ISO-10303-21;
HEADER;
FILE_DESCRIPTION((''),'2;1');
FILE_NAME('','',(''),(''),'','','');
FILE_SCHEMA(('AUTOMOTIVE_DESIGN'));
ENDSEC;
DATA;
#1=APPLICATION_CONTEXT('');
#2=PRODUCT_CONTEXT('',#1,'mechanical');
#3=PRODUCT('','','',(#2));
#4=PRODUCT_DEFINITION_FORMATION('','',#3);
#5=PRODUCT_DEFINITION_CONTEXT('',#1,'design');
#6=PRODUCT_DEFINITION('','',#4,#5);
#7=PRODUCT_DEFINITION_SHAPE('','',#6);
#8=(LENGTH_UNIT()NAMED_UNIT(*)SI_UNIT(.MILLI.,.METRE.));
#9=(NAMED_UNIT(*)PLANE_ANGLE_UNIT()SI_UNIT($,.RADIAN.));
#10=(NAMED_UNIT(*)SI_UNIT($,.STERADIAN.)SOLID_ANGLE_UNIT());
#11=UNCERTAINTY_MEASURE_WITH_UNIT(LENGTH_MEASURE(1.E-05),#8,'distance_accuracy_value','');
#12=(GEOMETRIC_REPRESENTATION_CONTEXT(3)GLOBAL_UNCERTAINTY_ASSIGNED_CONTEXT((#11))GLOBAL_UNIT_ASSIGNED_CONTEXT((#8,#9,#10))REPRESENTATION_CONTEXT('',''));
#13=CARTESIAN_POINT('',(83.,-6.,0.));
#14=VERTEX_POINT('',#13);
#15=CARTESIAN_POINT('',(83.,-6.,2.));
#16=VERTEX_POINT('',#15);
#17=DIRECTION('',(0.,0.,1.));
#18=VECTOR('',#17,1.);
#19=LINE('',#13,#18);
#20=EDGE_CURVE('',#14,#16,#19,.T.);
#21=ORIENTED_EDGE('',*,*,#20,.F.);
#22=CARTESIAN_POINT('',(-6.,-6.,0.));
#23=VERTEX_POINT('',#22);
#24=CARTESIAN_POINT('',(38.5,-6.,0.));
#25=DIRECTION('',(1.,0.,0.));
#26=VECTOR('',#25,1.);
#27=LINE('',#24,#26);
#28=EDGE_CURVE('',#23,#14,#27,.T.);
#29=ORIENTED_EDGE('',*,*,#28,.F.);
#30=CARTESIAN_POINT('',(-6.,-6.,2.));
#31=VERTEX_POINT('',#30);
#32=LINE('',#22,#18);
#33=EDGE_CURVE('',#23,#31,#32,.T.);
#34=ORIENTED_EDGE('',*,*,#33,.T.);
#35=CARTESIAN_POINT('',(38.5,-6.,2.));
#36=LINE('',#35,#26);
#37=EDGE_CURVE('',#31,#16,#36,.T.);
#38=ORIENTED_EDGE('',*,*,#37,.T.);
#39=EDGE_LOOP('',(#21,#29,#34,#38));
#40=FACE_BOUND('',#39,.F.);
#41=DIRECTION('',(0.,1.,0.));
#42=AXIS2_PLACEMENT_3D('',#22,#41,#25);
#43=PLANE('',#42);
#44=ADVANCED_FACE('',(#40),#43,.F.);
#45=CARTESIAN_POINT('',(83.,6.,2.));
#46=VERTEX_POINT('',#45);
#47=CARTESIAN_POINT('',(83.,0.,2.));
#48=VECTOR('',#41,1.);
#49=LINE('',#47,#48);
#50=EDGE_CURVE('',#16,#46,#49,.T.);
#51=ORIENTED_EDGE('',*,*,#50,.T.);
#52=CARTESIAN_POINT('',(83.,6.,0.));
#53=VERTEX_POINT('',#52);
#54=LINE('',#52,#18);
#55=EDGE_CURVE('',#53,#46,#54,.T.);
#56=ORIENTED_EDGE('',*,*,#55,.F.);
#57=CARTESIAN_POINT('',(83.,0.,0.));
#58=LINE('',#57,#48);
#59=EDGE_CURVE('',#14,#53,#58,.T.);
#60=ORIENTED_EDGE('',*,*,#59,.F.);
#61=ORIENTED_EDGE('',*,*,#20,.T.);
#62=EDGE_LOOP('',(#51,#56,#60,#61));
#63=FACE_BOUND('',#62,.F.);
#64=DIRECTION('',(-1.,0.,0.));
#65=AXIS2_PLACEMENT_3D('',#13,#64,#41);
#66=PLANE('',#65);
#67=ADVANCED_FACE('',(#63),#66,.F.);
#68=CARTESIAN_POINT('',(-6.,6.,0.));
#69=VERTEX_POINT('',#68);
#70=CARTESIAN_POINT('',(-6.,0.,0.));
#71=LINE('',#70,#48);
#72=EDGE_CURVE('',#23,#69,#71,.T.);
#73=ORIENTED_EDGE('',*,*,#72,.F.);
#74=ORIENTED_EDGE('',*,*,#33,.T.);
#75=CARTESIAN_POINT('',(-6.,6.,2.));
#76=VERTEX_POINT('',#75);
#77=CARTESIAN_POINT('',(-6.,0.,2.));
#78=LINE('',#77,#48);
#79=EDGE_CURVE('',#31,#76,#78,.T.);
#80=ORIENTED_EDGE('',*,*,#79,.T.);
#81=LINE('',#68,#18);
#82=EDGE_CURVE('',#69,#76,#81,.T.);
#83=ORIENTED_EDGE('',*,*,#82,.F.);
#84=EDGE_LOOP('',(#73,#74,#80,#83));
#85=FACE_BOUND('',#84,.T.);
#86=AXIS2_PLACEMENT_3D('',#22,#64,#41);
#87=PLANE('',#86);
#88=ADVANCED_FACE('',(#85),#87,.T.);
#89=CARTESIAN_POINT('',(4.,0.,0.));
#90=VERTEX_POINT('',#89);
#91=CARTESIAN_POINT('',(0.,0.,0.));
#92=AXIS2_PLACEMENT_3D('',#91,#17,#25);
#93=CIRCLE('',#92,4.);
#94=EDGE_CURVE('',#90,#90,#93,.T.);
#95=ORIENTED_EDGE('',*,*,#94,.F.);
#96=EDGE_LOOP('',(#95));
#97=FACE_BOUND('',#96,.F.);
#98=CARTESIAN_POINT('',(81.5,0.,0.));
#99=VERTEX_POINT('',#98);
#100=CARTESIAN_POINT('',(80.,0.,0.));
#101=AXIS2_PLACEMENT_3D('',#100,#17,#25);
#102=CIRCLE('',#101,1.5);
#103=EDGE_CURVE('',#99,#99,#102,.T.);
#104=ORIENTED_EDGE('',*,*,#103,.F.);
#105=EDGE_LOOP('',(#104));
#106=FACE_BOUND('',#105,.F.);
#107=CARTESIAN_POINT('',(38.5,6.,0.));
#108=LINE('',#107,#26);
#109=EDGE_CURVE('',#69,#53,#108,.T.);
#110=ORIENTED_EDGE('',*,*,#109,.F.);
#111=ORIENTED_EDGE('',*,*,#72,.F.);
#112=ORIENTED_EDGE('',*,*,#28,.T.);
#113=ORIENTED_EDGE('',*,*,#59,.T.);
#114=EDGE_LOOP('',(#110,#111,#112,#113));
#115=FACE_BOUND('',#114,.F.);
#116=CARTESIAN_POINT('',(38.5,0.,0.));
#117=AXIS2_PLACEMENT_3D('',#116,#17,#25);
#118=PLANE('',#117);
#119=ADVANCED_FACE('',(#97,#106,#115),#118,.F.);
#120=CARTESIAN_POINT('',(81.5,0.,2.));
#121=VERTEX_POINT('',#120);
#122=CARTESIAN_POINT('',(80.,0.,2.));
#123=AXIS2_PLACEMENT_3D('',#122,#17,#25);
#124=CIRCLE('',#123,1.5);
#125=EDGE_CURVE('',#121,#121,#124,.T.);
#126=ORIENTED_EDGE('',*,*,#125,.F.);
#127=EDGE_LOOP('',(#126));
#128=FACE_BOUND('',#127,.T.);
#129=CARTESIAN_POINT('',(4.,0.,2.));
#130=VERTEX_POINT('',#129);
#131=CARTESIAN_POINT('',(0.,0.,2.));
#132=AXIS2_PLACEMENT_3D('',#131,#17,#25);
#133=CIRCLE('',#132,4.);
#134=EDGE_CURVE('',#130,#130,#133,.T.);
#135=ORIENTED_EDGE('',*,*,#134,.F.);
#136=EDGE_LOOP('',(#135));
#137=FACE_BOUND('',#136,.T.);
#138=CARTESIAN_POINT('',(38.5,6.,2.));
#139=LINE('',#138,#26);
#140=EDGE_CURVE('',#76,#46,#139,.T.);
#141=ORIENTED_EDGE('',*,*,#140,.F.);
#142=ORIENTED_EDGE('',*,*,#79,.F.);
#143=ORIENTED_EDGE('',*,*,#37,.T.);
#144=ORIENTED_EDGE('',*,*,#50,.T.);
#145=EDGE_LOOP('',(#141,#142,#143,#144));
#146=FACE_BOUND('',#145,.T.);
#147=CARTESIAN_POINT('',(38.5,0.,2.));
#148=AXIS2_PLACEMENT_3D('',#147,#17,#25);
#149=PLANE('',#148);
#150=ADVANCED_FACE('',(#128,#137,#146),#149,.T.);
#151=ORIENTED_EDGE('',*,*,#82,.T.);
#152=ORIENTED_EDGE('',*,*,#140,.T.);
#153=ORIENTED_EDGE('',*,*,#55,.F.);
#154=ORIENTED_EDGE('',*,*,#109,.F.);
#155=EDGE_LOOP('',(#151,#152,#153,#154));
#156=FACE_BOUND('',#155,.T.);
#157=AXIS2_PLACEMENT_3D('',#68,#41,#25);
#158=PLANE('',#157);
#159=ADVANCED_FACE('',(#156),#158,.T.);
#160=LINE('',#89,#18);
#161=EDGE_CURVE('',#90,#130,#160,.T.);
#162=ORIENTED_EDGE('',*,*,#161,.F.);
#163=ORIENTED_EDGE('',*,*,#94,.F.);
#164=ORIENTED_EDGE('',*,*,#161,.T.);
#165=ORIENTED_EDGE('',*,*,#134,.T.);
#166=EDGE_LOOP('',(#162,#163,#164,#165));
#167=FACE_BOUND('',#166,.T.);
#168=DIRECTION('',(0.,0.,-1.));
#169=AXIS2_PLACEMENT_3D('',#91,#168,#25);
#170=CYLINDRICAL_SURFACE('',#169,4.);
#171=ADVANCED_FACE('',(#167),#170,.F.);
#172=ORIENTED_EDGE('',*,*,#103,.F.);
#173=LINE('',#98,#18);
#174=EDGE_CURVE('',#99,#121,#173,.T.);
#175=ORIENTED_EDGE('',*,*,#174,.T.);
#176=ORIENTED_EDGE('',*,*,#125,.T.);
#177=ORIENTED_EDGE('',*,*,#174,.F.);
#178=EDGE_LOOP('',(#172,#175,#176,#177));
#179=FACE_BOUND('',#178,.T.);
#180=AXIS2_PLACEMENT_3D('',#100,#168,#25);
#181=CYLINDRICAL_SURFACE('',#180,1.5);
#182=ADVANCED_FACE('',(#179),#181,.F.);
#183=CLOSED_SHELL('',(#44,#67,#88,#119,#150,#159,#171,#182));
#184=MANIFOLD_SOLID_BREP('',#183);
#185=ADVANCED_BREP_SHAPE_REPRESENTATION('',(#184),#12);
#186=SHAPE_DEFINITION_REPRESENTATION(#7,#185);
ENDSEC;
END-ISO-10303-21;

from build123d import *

# Parameters (mm, degrees)
SKETCH_W   = 89
SKETCH_H   = 12
SKETCH_R   = 4
SKETCH_R_2 = 1.5
PAD_DEPTH  = 2


with BuildPart() as part:
    # Sketch → Pad (new body)
    with BuildSketch(Plane.XY):
        with Locations((38.5, 0)):
            Rectangle(SKETCH_W, SKETCH_H)
        Circle(SKETCH_R, mode=Mode.SUBTRACT)
        with Locations((80, 0)):
            Circle(SKETCH_R_2, mode=Mode.SUBTRACT)
    extrude(amount=PAD_DEPTH)


solid = part.part
